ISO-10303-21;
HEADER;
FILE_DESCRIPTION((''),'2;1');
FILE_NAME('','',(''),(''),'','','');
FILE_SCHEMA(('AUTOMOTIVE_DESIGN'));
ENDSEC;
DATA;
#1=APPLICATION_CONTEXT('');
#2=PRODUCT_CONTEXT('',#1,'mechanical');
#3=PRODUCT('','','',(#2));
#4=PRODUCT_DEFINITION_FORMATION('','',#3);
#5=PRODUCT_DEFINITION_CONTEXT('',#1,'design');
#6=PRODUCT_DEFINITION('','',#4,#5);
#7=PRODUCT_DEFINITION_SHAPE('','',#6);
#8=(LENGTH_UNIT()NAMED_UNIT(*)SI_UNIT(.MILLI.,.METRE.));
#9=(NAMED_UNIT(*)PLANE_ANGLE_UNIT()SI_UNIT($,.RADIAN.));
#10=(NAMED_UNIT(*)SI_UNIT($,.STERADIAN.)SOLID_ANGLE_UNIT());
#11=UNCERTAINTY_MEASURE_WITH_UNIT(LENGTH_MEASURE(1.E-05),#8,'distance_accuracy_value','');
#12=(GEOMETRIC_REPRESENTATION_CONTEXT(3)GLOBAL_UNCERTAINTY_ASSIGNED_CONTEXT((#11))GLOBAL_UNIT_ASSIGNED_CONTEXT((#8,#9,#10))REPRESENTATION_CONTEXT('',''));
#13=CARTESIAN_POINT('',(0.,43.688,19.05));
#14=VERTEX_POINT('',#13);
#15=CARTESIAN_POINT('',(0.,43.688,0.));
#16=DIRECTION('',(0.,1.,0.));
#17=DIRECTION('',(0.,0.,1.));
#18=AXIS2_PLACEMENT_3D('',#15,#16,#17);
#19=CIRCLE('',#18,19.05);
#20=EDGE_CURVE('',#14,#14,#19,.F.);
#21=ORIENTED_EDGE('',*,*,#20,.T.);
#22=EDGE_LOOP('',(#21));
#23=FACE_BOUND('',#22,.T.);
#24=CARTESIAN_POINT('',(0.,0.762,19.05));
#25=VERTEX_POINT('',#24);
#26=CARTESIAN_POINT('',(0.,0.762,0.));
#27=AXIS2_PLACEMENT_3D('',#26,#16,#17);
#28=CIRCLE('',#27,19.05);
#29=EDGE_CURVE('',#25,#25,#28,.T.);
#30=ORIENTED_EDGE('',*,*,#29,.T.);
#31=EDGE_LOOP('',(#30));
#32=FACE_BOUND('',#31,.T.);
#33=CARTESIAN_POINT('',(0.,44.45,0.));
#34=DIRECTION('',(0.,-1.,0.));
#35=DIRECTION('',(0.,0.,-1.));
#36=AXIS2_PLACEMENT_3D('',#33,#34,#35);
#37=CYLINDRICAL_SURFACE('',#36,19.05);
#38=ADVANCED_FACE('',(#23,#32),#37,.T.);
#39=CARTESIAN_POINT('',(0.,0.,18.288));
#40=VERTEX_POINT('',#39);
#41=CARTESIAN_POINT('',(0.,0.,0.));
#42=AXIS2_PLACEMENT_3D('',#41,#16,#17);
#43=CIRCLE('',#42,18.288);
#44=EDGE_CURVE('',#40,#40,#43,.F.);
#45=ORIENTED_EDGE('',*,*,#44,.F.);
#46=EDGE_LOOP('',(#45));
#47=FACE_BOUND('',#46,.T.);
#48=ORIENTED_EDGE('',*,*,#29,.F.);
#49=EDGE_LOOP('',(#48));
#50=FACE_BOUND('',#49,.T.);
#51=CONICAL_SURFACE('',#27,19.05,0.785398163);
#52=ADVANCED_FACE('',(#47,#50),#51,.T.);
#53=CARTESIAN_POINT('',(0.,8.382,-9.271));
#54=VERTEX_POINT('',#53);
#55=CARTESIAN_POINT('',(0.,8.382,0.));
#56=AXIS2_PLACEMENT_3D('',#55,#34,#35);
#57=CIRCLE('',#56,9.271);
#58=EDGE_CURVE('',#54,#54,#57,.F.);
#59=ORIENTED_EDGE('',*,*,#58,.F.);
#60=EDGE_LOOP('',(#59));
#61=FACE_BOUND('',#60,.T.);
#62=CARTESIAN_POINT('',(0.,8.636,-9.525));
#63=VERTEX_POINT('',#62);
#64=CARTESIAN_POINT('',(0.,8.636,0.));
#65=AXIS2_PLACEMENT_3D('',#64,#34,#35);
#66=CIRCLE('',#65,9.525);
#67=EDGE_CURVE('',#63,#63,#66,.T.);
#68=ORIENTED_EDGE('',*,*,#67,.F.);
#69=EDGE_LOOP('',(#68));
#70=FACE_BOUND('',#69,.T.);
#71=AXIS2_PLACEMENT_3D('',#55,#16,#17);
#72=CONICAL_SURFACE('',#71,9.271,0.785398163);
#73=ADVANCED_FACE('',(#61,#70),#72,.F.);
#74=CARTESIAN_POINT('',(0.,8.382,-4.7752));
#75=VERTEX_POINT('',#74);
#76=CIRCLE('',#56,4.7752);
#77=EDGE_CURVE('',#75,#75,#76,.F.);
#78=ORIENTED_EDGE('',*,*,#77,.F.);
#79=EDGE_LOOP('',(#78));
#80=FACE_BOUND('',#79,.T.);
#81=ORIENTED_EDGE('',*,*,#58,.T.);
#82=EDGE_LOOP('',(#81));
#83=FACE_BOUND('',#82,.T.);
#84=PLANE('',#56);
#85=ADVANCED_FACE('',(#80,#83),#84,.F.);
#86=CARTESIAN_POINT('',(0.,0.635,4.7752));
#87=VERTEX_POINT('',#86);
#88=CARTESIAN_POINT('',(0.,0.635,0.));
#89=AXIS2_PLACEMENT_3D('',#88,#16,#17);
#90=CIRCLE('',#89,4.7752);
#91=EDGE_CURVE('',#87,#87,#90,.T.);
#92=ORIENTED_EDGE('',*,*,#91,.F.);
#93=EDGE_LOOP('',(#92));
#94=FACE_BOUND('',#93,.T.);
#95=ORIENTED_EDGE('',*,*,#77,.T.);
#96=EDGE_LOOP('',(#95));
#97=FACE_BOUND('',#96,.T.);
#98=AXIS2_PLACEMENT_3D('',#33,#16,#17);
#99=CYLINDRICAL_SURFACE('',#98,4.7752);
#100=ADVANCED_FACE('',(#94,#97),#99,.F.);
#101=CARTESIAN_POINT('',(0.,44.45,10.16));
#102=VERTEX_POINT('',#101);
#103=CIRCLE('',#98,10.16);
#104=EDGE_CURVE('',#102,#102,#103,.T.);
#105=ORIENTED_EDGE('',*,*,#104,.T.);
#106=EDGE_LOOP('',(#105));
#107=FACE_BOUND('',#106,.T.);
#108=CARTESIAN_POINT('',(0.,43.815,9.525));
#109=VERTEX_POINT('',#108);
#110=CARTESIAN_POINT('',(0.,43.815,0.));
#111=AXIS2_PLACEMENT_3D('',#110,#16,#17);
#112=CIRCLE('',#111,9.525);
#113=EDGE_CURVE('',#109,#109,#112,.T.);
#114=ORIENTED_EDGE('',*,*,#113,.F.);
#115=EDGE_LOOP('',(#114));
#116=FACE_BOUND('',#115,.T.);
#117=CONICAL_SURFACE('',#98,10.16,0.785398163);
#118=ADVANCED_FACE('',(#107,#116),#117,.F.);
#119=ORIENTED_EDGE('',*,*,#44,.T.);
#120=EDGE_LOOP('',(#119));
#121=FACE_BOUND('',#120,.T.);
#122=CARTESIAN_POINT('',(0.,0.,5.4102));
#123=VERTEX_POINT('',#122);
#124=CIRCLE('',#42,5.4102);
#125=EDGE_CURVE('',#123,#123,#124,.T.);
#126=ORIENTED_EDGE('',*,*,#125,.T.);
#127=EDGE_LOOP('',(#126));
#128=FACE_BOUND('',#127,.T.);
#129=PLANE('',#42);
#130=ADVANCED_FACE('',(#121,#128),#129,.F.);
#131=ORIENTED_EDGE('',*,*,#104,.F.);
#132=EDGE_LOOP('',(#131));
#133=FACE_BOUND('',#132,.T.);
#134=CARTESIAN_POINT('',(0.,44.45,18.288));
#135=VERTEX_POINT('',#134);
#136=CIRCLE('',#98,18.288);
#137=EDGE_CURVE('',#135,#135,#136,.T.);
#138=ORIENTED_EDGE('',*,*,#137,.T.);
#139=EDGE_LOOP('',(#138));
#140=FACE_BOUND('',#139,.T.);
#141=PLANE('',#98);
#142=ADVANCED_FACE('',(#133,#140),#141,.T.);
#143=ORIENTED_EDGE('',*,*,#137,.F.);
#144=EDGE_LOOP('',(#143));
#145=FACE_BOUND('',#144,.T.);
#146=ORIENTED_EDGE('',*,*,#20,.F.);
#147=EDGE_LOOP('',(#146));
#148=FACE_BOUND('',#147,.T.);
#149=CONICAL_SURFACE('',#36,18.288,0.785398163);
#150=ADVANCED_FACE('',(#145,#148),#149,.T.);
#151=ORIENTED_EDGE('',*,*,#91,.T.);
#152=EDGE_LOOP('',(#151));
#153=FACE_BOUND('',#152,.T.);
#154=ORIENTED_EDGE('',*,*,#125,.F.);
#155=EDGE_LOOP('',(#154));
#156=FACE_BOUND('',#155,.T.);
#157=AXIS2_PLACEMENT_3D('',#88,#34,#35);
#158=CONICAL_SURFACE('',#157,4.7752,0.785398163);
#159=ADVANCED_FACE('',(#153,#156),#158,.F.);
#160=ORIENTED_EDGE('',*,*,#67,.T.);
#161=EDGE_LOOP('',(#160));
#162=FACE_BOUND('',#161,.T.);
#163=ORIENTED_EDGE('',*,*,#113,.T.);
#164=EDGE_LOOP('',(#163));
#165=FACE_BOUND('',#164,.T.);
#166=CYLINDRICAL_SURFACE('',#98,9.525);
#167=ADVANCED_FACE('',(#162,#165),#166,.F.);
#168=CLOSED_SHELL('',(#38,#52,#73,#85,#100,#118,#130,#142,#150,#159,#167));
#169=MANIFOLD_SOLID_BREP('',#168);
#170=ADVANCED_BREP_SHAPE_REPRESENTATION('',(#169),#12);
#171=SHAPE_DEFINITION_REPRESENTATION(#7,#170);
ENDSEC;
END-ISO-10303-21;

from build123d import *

# Parameters (mm, degrees)
SKETCH1_R                             = 19.05
EXTRUDE1_DEPTH                        = 44.45
CHAMFER1_SIZE                         = 0.762
F_3_4_0_75_DIAMETER_HOLE1_D           = 19.05
F_3_4_0_75_DIAMETER_HOLE1_DEPTH       = 36.068
F_3_4_0_75_DIAMETER_HOLE1_CSINK_D     = 20.32
F_3_4_0_75_DIAMETER_HOLE1_CSINK_ANGLE = 90
CHAMFER2_SIZE                         = 0.254


with BuildPart() as part:
    # Sketch1 → Extrude1 (new body)
    with BuildSketch(Plane(origin=(0, 0, 0), x_dir=(1, 0, 0), z_dir=(0, 1, 0))):
        with Locations(Location((0, 0, 0), (0, 0, 270))):  # turned: the seam where the file's is
            Circle(SKETCH1_R)
    extrude(amount=EXTRUDE1_DEPTH)

    # Sketch2 → 3/8 (0.375) Diameter Hole1 (revolve, cut)
    with BuildSketch(Plane(origin=(0, 44.45, 0), x_dir=(0, 0, 1), z_dir=(1, 0, 0))):
        Polygon((0, 0), (0, 44.45), (5.4102, 44.45), (4.7752, 43.815), (4.7752, 0), align=None)
    revolve(axis=Axis((0, 50.8, 0), (0, -1, 0)), mode=Mode.SUBTRACT)

    # Chamfer1
    chamfer1_edges = [part.edges().sort_by_distance(p)[0] for p in [
        (0, 0, -19.05),
        (0, 44.45, -19.05),
    ]]
    chamfer(chamfer1_edges, length=CHAMFER1_SIZE)

    # 3/4 (0.75) Diameter Hole1
    with Locations(Plane(origin=(0, 44.45, 0), x_dir=(-1, 0, 0), z_dir=(0, 1, 0))):
        with Locations((0, 0)):
            CounterSinkHole(F_3_4_0_75_DIAMETER_HOLE1_D / 2, F_3_4_0_75_DIAMETER_HOLE1_CSINK_D / 2, depth=F_3_4_0_75_DIAMETER_HOLE1_DEPTH, counter_sink_angle=F_3_4_0_75_DIAMETER_HOLE1_CSINK_ANGLE)

    # Chamfer2
    chamfer2_edges = [part.edges().sort_by_distance(p)[0] for p in [
        (-9.525, 8.382, 0),
    ]]
    chamfer(chamfer2_edges, length=CHAMFER2_SIZE)


solid = part.part
